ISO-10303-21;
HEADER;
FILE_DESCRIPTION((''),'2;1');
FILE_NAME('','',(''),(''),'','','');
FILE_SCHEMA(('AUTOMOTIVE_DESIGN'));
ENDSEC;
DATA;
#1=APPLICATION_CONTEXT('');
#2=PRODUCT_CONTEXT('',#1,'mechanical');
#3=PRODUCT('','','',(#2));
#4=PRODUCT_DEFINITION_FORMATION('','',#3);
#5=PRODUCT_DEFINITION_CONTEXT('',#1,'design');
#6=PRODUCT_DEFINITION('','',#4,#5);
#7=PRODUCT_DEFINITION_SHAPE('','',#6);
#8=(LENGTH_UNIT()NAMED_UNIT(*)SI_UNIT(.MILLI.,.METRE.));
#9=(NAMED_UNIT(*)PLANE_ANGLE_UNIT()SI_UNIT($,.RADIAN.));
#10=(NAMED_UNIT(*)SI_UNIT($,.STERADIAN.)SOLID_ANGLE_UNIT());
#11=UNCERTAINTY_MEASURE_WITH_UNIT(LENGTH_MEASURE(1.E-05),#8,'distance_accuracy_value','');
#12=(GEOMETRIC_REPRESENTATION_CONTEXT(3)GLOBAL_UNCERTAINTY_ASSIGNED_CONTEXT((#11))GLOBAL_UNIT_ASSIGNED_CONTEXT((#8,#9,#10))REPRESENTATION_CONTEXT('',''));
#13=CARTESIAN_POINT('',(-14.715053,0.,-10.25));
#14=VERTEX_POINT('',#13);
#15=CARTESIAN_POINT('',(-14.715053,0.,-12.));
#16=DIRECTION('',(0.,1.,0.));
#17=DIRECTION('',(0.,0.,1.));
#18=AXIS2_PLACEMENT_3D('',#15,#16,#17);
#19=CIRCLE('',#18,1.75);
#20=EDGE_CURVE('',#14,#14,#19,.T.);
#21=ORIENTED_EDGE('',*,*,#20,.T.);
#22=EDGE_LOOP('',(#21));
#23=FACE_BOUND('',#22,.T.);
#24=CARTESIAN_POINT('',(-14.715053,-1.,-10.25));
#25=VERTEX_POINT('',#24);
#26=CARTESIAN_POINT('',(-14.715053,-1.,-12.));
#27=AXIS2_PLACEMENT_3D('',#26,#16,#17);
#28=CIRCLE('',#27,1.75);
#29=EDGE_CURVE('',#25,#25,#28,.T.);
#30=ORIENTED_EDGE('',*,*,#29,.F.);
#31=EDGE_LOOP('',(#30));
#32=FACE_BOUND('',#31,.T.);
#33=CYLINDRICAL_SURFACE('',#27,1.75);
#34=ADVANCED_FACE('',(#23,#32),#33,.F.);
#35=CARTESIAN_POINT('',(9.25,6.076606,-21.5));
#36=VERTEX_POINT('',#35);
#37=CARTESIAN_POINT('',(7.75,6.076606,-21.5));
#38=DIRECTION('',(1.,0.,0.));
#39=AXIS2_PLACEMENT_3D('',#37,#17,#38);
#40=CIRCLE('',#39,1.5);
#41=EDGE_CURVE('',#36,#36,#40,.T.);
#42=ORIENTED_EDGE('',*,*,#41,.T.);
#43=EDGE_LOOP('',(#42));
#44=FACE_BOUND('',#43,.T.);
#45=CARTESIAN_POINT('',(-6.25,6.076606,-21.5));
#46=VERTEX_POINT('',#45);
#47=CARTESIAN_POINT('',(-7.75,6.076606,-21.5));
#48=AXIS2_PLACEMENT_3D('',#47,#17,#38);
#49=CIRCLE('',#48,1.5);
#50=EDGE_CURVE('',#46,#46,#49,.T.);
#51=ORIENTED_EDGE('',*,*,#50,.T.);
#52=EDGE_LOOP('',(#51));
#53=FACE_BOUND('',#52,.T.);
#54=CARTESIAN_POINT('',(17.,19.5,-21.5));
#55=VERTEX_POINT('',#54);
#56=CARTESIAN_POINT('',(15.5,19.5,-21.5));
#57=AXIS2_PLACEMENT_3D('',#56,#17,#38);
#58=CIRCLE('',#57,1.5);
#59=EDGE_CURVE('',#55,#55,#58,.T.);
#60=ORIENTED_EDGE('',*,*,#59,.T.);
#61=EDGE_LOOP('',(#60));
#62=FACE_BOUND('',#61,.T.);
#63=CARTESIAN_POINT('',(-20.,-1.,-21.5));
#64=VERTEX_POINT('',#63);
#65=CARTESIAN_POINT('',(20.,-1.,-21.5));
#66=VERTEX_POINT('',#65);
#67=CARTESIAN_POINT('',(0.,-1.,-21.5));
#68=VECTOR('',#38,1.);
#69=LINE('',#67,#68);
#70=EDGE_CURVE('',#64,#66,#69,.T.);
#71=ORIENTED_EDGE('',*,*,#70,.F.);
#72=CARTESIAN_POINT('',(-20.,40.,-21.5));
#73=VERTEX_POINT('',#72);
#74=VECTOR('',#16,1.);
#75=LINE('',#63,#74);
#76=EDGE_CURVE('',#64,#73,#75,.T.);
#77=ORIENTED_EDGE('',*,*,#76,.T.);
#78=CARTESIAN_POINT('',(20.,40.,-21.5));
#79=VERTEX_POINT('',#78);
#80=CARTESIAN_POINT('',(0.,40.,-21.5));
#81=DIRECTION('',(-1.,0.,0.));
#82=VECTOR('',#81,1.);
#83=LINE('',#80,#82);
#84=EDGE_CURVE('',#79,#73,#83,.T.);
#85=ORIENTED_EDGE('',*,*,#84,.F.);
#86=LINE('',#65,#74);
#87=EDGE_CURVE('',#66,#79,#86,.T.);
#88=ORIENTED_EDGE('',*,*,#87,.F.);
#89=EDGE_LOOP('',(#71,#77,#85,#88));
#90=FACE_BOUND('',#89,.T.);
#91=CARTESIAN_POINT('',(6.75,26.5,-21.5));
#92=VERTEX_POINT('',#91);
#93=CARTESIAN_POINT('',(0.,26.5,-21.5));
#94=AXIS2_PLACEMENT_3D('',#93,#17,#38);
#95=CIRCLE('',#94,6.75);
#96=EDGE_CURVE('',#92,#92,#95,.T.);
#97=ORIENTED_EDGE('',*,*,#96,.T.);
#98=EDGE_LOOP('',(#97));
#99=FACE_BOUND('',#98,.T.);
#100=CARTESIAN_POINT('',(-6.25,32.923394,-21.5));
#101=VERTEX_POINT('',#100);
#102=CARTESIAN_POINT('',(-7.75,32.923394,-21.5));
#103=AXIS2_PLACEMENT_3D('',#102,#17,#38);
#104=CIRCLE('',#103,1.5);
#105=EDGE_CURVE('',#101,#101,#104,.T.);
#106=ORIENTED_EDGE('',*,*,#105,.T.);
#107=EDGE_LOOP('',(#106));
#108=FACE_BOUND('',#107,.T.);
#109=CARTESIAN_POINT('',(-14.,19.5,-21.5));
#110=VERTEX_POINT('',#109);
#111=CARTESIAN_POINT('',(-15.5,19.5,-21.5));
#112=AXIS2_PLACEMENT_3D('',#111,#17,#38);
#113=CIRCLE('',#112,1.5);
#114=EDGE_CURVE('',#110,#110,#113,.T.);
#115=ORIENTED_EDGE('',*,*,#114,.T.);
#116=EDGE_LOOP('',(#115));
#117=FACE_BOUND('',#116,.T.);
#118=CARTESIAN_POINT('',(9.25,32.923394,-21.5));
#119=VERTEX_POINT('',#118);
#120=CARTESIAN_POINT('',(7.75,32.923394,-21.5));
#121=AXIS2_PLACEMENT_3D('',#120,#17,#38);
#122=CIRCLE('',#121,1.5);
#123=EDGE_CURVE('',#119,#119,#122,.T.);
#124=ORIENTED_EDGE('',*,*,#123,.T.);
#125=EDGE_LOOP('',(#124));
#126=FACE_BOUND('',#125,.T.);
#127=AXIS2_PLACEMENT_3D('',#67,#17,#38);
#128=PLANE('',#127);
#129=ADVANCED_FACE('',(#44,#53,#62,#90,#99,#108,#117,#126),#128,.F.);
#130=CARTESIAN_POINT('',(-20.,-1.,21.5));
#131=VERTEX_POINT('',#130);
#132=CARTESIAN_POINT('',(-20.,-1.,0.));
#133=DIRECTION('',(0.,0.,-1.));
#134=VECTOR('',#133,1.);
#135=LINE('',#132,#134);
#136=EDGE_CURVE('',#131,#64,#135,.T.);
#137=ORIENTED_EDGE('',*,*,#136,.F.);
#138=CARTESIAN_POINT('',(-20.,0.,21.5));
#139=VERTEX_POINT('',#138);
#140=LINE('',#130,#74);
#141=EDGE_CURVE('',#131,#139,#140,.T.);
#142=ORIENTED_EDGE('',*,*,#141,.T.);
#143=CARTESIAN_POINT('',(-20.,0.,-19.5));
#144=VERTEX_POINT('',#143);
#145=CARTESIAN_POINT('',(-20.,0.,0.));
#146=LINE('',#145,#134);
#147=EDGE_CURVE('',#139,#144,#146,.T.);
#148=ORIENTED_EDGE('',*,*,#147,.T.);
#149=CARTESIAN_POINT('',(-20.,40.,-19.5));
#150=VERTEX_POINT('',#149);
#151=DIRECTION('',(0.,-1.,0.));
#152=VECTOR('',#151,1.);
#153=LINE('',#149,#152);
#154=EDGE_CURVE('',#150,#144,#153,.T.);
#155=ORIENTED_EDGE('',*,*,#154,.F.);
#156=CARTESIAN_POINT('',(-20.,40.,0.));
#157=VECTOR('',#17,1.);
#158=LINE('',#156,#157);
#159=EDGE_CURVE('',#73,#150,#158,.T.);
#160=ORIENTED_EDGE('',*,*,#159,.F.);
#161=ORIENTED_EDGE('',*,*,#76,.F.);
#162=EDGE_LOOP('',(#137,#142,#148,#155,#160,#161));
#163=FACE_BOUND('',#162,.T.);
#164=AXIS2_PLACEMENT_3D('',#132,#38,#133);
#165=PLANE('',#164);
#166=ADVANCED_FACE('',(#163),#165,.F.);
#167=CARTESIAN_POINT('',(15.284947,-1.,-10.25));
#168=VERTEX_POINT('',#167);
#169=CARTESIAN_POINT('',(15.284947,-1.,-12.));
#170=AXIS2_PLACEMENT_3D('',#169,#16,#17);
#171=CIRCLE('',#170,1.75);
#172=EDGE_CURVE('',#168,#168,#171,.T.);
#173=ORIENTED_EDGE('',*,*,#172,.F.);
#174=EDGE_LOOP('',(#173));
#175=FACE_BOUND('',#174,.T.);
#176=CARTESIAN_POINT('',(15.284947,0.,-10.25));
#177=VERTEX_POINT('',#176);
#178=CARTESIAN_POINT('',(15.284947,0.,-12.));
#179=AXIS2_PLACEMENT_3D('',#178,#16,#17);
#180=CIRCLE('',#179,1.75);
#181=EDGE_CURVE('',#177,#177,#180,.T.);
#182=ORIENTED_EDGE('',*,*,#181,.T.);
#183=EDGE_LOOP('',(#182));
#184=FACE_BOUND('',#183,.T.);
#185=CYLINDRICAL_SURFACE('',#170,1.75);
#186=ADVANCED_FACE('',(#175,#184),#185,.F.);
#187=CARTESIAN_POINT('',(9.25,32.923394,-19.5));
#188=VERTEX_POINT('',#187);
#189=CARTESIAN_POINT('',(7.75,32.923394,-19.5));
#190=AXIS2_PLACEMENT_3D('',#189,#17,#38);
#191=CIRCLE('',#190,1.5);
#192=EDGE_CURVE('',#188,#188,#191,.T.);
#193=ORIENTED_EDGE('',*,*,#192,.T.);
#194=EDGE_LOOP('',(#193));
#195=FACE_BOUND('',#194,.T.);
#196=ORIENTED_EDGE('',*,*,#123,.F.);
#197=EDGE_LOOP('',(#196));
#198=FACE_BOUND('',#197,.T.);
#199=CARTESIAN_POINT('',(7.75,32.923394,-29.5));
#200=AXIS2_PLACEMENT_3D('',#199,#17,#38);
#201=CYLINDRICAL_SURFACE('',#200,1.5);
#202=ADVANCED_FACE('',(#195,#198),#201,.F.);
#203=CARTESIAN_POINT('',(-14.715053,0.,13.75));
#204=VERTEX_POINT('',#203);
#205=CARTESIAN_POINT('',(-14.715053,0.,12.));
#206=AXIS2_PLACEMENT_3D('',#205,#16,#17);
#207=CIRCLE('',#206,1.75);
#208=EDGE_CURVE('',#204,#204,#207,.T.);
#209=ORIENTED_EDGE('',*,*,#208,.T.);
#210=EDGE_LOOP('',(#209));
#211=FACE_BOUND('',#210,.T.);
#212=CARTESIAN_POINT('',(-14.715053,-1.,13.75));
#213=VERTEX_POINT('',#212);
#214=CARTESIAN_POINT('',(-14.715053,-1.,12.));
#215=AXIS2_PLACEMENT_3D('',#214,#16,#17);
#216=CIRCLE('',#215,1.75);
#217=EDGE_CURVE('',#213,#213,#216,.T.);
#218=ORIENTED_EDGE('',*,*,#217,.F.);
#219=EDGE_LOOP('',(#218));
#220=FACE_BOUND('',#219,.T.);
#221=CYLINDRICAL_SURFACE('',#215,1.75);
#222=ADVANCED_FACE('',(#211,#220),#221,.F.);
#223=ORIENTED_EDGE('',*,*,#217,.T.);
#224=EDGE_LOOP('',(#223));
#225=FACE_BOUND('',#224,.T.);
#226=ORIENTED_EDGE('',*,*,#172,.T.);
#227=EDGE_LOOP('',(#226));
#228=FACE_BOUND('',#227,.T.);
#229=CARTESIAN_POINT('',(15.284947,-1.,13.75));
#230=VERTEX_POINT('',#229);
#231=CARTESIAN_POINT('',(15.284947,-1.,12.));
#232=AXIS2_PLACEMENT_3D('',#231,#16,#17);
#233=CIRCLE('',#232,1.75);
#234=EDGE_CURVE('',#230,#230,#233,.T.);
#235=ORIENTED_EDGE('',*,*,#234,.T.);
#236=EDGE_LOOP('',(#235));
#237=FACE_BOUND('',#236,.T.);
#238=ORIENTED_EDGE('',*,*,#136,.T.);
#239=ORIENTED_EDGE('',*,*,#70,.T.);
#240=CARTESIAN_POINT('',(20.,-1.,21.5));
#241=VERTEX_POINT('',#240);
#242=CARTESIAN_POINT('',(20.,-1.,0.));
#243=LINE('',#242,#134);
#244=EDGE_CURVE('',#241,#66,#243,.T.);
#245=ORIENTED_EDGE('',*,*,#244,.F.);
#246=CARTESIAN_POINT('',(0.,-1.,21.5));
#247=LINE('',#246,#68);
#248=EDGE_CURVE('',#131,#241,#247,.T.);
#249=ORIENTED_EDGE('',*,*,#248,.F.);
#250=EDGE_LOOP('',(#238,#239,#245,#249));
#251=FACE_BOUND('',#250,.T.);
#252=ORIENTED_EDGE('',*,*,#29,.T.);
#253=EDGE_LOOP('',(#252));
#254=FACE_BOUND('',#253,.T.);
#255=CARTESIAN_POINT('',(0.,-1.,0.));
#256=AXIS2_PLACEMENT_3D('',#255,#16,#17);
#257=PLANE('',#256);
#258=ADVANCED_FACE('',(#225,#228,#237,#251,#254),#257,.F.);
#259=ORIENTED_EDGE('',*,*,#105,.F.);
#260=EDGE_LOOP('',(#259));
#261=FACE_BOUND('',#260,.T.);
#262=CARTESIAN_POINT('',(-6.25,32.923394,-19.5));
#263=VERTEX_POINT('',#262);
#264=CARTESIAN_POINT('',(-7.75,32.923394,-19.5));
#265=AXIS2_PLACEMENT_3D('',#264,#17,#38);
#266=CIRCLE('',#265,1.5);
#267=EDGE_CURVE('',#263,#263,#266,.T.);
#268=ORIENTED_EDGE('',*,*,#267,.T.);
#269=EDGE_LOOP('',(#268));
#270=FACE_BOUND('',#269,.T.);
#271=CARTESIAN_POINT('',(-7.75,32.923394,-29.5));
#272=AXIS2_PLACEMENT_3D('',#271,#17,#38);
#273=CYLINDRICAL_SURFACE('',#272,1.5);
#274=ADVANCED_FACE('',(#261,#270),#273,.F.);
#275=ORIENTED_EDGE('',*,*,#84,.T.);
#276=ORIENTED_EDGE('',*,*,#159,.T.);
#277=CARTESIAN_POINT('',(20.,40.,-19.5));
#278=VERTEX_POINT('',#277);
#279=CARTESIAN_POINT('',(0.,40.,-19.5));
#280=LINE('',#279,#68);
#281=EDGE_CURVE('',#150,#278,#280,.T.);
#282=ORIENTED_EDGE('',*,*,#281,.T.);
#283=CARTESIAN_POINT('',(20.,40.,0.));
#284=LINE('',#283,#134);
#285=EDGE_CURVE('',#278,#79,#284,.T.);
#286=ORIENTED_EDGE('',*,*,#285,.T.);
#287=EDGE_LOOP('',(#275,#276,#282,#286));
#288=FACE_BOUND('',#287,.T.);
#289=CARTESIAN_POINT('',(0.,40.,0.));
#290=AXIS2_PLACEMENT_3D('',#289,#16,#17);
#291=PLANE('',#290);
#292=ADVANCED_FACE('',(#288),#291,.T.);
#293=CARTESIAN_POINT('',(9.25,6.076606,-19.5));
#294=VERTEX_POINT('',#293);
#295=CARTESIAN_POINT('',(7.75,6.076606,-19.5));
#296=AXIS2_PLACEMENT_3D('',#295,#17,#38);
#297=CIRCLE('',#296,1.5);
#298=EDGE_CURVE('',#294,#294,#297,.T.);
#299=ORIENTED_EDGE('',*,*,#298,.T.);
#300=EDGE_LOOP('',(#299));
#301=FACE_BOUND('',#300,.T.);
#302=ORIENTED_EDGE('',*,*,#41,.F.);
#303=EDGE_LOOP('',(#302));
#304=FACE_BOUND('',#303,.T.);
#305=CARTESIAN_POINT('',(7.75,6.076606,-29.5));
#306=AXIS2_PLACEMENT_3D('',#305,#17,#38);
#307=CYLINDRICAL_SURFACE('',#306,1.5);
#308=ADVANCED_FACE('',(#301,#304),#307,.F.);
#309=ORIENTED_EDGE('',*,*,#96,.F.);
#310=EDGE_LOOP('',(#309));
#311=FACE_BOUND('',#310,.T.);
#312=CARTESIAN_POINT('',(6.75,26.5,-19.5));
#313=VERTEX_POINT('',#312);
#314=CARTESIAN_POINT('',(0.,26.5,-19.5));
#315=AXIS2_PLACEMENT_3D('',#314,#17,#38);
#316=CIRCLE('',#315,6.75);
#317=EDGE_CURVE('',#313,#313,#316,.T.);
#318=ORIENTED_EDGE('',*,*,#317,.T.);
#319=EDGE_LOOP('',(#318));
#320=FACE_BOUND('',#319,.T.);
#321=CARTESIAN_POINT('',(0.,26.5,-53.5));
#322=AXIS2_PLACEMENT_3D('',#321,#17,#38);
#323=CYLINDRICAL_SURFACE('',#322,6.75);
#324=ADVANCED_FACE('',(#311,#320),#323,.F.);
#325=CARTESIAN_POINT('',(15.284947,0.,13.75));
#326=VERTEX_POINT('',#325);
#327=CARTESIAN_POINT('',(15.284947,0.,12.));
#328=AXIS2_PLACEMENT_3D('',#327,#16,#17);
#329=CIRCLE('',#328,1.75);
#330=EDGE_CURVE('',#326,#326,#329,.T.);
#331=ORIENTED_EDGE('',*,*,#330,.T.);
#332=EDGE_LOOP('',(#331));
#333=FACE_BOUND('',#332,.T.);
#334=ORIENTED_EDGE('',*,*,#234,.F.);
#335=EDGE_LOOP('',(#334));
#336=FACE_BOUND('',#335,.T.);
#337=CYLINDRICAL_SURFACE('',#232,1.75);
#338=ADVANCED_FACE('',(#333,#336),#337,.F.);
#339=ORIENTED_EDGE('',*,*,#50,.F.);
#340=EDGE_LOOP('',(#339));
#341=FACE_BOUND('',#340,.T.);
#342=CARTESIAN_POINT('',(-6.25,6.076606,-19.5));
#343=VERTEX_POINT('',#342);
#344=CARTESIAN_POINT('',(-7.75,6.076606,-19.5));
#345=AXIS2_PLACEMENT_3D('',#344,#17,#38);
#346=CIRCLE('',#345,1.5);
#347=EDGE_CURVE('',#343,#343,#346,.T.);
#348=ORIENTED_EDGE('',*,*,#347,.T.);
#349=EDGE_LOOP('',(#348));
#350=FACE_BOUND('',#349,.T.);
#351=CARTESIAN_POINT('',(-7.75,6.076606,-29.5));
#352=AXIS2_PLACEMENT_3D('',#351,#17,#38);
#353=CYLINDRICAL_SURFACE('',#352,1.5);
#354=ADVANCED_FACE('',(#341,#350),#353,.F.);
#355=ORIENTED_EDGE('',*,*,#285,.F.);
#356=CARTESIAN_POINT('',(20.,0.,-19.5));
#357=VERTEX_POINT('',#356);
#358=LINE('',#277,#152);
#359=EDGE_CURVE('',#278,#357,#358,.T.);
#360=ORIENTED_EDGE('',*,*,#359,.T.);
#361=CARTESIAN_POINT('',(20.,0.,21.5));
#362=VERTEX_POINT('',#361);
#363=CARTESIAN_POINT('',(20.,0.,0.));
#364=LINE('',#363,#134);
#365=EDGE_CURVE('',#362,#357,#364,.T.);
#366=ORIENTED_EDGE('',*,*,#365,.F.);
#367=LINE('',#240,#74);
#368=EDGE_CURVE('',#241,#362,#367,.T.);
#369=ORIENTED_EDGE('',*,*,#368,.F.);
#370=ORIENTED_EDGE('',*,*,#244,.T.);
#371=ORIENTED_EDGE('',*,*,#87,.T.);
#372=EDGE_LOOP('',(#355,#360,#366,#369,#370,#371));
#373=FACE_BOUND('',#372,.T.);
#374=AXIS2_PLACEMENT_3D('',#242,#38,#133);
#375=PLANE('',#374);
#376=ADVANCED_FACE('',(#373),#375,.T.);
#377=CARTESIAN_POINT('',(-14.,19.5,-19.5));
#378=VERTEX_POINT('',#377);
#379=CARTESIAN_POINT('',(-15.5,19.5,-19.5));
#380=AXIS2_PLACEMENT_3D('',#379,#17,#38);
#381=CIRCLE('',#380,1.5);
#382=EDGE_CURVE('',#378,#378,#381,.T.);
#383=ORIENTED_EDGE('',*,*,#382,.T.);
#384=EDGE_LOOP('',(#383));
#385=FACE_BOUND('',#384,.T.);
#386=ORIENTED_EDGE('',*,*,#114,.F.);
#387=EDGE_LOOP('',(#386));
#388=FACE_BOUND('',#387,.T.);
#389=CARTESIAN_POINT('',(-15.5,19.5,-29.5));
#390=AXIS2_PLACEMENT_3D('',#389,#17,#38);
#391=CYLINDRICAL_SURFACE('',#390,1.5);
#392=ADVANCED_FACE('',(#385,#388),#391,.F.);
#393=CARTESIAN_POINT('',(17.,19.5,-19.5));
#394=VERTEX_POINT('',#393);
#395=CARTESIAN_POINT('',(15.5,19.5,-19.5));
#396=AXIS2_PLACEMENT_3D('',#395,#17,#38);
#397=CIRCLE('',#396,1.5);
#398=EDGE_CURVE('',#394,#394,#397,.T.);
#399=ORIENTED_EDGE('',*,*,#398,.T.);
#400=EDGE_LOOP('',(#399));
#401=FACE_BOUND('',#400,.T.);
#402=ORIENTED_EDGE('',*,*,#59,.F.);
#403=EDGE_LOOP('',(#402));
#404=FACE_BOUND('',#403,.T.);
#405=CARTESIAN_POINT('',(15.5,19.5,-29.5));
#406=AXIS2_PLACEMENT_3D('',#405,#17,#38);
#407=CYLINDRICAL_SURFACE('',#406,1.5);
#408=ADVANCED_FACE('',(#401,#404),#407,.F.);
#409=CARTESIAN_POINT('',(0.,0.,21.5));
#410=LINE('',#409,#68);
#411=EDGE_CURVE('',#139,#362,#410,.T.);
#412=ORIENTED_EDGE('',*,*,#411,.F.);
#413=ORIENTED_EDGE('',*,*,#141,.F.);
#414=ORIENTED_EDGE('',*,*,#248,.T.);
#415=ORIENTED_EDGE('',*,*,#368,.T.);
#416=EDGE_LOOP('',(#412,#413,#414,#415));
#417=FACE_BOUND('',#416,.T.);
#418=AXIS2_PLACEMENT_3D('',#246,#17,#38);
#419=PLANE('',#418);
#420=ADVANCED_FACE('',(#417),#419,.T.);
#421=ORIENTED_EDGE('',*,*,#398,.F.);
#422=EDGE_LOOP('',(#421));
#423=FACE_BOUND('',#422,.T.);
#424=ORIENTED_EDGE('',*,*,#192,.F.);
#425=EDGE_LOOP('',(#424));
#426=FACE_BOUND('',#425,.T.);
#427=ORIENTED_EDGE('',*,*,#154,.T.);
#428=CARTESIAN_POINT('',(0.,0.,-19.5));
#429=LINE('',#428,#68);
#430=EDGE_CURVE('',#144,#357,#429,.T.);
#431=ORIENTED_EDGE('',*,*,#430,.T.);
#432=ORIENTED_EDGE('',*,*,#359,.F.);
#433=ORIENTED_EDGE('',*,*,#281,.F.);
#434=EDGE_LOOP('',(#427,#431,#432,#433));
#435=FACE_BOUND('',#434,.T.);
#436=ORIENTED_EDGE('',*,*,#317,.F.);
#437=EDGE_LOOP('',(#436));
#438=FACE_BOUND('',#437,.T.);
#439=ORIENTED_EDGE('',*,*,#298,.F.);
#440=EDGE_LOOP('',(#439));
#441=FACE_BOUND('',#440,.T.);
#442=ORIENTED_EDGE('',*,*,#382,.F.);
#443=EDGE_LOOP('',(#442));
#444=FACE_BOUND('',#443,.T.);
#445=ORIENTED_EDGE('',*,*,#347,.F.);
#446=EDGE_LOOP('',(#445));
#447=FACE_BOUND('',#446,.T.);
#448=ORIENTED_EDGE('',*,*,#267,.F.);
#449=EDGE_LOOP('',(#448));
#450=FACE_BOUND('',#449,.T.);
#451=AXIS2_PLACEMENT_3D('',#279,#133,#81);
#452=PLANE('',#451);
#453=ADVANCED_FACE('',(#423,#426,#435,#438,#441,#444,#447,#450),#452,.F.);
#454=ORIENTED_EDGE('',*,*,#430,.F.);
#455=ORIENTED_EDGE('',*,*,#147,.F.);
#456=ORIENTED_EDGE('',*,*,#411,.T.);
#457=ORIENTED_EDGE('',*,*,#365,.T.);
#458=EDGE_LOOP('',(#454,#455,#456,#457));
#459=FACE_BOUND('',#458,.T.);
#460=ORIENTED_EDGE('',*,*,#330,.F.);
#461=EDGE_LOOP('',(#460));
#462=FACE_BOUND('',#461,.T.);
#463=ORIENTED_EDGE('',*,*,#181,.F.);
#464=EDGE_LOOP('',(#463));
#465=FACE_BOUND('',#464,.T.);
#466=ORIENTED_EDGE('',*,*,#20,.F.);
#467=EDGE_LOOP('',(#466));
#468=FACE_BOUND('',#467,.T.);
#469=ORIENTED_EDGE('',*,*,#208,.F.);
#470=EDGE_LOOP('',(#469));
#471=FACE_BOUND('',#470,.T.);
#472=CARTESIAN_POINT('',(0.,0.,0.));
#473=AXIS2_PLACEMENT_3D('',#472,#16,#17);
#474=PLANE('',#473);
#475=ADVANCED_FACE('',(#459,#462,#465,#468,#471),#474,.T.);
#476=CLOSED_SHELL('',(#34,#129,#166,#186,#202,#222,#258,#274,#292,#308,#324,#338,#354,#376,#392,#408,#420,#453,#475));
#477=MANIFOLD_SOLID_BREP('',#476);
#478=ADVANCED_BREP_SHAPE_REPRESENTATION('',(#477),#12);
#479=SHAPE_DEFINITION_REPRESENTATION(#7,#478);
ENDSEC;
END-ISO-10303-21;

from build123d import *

# Parameters (mm, degrees)
SKETCH1_W           = 40
SKETCH1_H           = 43
SKETCH1_R           = 1.75
BOSS_EXTRUDE1_DEPTH = 1
SKETCH4_W           = 40
SKETCH4_H           = 2
BOSS_EXTRUDE2_DEPTH = 40
SKETCH5_R           = 6.75
CUT_EXTRUDE5_DEPTH  = 34
SKETCH8_R           = 1.5
CUT_EXTRUDE6_DEPTH  = 10


with BuildPart() as part:
    # Sketch1 → Boss-Extrude1 (new body)
    with BuildSketch(Plane(origin=(0, 0, 0), x_dir=(1, 0, 0), z_dir=(0, 1, 0))):
        Rectangle(SKETCH1_W, SKETCH1_H)
        with Locations(Location((-14.715053003, 12, 0), (0, 0, 270))):
            Circle(SKETCH1_R, mode=Mode.SUBTRACT)
        with Locations(Location((15.284946997, 12, 0), (0, 0, 270))):
            Circle(SKETCH1_R, mode=Mode.SUBTRACT)
        with Locations(Location((-14.715053003, -12, 0), (0, 0, 270))):
            Circle(SKETCH1_R, mode=Mode.SUBTRACT)
        with Locations(Location((15.284946997, -12, 0), (0, 0, 270))):
            Circle(SKETCH1_R, mode=Mode.SUBTRACT)
    extrude(amount=-BOSS_EXTRUDE1_DEPTH)

    # Sketch4 → Boss-Extrude2 (add)
    with BuildSketch(Plane(origin=(0, 0, 0), x_dir=(1, 0, 0), z_dir=(0, 1, 0))):
        with Locations((0, 20.5)):
            Rectangle(SKETCH4_W, SKETCH4_H)
    extrude(amount=BOSS_EXTRUDE2_DEPTH)

    # Sketch5 → Cut-Extrude5 (cut)
    with BuildSketch(Plane.XY.offset(-19.5)):
        with Locations((0, 26.5)):
            Circle(SKETCH5_R)
    extrude(amount=-CUT_EXTRUDE5_DEPTH, mode=Mode.SUBTRACT)

    # Sketch8 → Cut-Extrude6 (cut)
    with BuildSketch(Plane.XY.offset(-19.5)):
        with Locations((-15.5, 19.5)):
            Circle(SKETCH8_R)
        with Locations((-7.75, 32.923393759)):
            Circle(SKETCH8_R)
        with Locations((7.75, 32.923393759)):
            Circle(SKETCH8_R)
        with Locations((15.5, 19.5)):
            Circle(SKETCH8_R)
        with Locations((7.75, 6.076606241)):
            Circle(SKETCH8_R)
        with Locations((-7.75, 6.076606241)):
            Circle(SKETCH8_R)
    extrude(amount=-CUT_EXTRUDE6_DEPTH, mode=Mode.SUBTRACT)


solid = part.part
